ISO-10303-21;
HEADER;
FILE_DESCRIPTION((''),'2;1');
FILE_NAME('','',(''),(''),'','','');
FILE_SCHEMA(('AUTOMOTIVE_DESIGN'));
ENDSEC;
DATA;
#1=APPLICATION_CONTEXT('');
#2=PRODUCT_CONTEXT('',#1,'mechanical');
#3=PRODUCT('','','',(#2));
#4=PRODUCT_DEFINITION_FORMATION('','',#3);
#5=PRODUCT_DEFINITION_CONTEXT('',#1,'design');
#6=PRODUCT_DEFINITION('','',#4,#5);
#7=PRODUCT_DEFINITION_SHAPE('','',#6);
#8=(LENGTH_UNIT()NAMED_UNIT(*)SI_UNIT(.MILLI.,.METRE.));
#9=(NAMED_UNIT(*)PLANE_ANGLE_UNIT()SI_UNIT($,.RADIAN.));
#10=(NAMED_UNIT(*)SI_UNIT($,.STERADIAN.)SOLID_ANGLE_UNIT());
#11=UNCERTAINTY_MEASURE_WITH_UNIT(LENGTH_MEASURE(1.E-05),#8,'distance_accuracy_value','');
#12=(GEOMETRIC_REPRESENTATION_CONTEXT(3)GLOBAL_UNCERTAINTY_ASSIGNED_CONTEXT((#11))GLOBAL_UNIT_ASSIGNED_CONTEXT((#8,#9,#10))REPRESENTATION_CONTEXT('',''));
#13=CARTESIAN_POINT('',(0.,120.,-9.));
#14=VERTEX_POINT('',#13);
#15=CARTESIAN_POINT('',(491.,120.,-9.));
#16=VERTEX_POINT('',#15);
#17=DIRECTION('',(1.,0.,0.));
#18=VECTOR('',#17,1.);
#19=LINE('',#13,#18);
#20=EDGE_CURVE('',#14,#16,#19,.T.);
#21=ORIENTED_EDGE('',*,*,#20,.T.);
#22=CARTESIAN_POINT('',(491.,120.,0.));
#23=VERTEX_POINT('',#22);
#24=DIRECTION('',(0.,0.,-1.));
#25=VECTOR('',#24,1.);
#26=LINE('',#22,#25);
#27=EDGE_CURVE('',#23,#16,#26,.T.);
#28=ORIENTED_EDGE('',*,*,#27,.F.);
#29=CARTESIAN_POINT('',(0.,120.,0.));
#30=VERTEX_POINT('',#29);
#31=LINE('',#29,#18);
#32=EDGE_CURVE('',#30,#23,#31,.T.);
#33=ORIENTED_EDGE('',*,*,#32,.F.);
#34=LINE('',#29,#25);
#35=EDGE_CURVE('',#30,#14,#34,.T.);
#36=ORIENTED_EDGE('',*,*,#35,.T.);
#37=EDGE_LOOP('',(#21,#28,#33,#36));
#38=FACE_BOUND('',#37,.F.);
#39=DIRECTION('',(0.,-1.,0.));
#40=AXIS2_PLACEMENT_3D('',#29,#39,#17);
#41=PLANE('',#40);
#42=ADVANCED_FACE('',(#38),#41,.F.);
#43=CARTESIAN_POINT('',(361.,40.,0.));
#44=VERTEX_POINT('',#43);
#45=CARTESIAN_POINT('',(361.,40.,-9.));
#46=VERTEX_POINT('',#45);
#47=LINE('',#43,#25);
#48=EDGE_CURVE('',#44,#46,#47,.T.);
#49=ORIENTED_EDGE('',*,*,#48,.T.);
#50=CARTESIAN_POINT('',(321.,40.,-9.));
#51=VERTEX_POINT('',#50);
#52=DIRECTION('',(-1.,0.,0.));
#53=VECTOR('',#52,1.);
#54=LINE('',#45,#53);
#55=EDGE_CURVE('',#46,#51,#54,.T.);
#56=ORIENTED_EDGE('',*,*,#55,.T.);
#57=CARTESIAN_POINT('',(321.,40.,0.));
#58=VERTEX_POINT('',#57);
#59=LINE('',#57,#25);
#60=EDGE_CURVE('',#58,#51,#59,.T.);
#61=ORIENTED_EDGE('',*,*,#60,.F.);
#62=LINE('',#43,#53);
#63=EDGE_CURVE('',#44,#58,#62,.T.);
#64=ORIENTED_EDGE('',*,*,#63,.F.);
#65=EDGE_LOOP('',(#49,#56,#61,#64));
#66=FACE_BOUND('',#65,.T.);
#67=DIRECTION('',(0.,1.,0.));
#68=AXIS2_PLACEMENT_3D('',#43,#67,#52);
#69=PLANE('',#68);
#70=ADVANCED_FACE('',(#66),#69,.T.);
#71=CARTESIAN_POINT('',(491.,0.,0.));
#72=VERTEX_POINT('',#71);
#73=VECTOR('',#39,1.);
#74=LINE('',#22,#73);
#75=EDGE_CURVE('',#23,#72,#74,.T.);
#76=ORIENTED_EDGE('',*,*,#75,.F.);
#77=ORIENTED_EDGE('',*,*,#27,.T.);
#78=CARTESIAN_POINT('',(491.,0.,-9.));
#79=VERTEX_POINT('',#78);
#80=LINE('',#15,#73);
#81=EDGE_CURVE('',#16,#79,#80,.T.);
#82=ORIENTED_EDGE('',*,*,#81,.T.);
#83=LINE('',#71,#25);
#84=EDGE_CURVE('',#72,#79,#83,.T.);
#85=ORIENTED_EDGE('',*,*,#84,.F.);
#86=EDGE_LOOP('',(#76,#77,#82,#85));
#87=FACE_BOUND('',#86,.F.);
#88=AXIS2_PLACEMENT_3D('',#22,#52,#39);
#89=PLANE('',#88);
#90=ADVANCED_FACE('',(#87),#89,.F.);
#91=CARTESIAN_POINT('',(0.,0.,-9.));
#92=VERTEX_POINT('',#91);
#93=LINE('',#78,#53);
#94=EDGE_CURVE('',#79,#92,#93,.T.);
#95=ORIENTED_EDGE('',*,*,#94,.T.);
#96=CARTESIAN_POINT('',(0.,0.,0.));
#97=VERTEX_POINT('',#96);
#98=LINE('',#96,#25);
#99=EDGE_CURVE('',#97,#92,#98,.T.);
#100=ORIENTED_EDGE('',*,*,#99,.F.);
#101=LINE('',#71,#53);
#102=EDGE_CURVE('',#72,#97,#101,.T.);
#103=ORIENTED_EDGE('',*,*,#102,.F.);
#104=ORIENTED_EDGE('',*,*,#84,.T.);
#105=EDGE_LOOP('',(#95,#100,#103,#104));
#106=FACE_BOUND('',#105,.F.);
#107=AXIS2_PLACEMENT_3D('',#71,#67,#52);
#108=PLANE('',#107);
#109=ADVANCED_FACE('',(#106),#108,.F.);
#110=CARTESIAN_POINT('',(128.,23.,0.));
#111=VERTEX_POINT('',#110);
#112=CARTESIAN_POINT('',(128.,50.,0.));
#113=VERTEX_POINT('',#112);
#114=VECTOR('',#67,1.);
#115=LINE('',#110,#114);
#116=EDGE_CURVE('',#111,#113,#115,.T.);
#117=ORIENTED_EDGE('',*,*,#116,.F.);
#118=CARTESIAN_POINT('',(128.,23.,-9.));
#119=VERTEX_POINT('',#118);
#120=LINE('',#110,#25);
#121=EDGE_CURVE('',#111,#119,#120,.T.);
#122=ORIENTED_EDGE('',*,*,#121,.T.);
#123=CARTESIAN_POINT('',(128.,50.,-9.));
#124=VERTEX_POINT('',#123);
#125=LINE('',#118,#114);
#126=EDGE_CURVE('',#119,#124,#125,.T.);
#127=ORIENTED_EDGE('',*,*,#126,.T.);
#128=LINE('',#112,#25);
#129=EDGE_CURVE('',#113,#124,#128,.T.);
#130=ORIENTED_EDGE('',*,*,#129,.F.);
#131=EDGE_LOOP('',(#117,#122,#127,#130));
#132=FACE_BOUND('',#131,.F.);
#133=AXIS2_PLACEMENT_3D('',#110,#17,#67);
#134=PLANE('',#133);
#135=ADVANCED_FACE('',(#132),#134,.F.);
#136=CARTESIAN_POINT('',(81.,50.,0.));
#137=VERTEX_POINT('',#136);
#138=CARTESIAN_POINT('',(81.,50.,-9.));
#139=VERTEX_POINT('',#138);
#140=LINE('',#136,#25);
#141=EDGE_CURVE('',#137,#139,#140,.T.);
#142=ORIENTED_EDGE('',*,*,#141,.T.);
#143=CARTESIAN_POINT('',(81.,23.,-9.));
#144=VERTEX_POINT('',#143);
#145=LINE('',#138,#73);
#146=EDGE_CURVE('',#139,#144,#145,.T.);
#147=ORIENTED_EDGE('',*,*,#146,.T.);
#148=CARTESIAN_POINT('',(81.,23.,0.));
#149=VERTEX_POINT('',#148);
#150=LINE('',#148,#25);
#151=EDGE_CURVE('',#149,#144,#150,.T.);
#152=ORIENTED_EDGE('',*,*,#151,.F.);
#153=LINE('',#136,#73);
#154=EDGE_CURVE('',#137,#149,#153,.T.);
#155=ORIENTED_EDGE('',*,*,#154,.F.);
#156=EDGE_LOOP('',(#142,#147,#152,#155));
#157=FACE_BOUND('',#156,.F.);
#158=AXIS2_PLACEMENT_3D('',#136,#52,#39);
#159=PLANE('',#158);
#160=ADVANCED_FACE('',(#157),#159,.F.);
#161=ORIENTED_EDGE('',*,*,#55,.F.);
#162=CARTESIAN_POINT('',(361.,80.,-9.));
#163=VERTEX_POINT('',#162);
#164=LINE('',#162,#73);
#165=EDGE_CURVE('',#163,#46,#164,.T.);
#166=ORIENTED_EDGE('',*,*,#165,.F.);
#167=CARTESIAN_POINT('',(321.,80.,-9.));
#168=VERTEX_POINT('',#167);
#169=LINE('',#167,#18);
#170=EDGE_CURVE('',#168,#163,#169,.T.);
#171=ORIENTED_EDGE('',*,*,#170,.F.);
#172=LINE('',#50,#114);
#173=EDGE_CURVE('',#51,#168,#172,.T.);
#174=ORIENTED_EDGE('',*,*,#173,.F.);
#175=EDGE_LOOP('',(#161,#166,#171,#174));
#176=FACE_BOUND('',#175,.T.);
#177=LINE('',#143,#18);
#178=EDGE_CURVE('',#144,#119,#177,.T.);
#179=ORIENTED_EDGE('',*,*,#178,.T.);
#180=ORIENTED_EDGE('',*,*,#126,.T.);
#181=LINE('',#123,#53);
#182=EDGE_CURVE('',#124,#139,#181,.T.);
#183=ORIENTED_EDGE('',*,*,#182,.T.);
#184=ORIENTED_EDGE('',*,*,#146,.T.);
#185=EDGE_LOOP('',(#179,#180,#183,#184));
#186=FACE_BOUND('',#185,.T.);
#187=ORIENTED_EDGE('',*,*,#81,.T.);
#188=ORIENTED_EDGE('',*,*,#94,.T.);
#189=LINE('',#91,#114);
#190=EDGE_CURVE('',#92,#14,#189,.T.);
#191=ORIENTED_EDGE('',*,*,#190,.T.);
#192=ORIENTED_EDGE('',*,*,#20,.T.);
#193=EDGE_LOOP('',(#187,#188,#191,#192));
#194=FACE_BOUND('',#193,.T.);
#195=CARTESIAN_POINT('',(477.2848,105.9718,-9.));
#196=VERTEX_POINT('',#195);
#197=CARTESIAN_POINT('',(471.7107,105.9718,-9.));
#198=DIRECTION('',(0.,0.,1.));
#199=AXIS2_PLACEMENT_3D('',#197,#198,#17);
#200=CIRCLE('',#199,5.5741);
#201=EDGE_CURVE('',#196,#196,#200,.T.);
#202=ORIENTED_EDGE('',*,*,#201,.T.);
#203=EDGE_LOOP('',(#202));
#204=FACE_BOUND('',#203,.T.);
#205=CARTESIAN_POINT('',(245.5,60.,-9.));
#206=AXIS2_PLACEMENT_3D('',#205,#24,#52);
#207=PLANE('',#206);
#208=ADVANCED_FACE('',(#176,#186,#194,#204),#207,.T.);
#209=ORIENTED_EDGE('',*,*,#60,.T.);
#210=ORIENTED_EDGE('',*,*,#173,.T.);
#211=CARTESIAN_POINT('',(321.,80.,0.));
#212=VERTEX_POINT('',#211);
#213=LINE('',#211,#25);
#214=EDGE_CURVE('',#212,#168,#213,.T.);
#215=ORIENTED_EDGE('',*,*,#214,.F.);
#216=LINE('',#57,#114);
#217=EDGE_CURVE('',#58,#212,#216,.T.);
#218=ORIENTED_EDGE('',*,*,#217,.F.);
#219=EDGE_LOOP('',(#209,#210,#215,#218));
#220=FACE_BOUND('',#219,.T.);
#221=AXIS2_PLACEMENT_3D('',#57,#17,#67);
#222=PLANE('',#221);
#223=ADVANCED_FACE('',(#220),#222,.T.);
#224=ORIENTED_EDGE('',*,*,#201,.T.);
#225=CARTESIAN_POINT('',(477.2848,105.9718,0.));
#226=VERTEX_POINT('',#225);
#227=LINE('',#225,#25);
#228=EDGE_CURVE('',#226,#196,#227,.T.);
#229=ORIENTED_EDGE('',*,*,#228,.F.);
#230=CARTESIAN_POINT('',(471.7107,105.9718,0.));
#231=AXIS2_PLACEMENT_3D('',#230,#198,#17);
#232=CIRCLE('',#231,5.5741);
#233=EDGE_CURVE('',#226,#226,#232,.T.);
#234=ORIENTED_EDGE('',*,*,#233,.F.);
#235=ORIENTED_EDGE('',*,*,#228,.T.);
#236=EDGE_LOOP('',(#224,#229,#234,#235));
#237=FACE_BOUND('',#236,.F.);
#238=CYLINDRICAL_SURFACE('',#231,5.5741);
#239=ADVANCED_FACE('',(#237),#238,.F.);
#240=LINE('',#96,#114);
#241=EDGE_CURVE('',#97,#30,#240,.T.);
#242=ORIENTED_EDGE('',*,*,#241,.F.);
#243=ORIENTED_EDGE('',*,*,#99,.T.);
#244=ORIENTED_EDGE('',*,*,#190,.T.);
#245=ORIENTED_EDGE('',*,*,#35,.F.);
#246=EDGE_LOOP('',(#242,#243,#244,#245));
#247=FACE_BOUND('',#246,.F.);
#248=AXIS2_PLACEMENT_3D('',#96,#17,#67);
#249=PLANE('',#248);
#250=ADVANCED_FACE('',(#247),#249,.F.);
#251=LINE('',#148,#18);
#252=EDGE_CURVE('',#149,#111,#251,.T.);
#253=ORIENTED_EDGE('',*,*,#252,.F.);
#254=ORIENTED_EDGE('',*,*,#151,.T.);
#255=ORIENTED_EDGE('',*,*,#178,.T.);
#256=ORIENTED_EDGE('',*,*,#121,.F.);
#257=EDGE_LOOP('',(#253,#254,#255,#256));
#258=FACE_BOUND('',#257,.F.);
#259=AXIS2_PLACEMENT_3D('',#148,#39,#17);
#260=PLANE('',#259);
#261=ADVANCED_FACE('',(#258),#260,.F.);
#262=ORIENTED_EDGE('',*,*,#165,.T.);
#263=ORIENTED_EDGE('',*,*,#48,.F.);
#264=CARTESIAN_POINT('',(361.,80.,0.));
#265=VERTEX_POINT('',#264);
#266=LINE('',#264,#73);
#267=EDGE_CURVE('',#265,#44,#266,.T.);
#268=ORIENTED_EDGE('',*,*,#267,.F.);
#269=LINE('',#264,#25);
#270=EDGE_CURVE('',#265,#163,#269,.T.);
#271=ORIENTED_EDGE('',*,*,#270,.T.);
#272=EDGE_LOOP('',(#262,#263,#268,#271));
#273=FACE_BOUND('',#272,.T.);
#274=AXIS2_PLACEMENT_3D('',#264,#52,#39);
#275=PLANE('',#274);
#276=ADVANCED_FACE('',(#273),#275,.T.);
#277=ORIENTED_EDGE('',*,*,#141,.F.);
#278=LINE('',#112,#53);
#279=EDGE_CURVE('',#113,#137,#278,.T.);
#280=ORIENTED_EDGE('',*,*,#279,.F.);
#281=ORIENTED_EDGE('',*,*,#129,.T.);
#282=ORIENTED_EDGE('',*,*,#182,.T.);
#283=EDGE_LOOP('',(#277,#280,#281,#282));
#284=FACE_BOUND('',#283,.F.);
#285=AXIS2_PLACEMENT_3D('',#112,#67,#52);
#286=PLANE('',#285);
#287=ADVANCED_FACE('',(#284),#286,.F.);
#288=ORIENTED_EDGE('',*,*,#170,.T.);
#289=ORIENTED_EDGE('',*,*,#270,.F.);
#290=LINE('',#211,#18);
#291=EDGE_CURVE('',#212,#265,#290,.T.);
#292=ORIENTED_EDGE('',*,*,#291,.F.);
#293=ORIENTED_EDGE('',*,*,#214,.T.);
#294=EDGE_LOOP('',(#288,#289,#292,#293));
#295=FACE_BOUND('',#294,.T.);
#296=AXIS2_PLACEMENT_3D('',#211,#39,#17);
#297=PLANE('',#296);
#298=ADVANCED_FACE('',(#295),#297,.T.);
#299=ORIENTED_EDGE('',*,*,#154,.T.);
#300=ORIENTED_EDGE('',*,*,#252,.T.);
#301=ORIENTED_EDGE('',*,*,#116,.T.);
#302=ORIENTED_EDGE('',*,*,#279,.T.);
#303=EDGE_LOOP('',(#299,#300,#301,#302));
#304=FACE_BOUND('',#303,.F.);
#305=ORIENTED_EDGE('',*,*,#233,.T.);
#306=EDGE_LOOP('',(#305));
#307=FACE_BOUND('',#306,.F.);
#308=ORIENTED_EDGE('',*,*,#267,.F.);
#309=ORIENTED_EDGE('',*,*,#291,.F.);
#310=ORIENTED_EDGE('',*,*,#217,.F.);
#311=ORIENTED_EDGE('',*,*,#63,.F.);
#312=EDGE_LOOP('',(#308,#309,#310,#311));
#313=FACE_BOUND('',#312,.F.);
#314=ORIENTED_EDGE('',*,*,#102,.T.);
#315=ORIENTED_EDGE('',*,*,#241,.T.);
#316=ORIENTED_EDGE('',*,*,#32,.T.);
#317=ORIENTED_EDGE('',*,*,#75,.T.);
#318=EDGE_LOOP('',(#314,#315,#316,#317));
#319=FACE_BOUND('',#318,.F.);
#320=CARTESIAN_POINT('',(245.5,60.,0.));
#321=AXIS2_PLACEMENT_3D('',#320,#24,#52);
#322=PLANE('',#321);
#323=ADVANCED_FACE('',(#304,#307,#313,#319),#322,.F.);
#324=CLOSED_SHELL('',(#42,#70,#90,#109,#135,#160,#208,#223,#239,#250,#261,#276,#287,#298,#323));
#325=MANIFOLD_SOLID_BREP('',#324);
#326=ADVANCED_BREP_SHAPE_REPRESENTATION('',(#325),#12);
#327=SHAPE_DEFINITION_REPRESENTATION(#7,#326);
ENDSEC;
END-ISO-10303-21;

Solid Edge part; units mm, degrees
sketch "Sketch1" plane through (0, 0, 0) normal (0, 0, 1) x (1, 0, 0)
  line L0 (491, 120) -> (491, 0)
  line L1 (491, 0) -> (0, 0)
  line L2 (0, 0) -> (0, 120)
  line L3 (0, 120) -> (491, 120)
  circle A0 centre (471.7107, 105.9718) radius 5.5741
  line L4 (128, 23) -> (128, 50)
  line L5 (128, 50) -> (81, 50)
  line L6 (81, 50) -> (81, 23)
  line L7 (81, 23) -> (128, 23)
  line L8 (361, 80) -> (361, 40)
  line L9 (361, 40) -> (321, 40)
  line L10 (321, 40) -> (321, 80)
  line L11 (321, 80) -> (361, 80)
  dimension "D1" = 120
  dimension "D2" = 491
  dimension "D3" = 47
  dimension "D4" = 27
  dimension "D5" = 81
  dimension "D6" = 70
  dimension "D7" = 130
  dimension "D8" = 40
  dimension "D9" = 40
  dimension "D10" = 40
extrude "Protrusion1" add sketch "Sketch1" against normal blind 9
